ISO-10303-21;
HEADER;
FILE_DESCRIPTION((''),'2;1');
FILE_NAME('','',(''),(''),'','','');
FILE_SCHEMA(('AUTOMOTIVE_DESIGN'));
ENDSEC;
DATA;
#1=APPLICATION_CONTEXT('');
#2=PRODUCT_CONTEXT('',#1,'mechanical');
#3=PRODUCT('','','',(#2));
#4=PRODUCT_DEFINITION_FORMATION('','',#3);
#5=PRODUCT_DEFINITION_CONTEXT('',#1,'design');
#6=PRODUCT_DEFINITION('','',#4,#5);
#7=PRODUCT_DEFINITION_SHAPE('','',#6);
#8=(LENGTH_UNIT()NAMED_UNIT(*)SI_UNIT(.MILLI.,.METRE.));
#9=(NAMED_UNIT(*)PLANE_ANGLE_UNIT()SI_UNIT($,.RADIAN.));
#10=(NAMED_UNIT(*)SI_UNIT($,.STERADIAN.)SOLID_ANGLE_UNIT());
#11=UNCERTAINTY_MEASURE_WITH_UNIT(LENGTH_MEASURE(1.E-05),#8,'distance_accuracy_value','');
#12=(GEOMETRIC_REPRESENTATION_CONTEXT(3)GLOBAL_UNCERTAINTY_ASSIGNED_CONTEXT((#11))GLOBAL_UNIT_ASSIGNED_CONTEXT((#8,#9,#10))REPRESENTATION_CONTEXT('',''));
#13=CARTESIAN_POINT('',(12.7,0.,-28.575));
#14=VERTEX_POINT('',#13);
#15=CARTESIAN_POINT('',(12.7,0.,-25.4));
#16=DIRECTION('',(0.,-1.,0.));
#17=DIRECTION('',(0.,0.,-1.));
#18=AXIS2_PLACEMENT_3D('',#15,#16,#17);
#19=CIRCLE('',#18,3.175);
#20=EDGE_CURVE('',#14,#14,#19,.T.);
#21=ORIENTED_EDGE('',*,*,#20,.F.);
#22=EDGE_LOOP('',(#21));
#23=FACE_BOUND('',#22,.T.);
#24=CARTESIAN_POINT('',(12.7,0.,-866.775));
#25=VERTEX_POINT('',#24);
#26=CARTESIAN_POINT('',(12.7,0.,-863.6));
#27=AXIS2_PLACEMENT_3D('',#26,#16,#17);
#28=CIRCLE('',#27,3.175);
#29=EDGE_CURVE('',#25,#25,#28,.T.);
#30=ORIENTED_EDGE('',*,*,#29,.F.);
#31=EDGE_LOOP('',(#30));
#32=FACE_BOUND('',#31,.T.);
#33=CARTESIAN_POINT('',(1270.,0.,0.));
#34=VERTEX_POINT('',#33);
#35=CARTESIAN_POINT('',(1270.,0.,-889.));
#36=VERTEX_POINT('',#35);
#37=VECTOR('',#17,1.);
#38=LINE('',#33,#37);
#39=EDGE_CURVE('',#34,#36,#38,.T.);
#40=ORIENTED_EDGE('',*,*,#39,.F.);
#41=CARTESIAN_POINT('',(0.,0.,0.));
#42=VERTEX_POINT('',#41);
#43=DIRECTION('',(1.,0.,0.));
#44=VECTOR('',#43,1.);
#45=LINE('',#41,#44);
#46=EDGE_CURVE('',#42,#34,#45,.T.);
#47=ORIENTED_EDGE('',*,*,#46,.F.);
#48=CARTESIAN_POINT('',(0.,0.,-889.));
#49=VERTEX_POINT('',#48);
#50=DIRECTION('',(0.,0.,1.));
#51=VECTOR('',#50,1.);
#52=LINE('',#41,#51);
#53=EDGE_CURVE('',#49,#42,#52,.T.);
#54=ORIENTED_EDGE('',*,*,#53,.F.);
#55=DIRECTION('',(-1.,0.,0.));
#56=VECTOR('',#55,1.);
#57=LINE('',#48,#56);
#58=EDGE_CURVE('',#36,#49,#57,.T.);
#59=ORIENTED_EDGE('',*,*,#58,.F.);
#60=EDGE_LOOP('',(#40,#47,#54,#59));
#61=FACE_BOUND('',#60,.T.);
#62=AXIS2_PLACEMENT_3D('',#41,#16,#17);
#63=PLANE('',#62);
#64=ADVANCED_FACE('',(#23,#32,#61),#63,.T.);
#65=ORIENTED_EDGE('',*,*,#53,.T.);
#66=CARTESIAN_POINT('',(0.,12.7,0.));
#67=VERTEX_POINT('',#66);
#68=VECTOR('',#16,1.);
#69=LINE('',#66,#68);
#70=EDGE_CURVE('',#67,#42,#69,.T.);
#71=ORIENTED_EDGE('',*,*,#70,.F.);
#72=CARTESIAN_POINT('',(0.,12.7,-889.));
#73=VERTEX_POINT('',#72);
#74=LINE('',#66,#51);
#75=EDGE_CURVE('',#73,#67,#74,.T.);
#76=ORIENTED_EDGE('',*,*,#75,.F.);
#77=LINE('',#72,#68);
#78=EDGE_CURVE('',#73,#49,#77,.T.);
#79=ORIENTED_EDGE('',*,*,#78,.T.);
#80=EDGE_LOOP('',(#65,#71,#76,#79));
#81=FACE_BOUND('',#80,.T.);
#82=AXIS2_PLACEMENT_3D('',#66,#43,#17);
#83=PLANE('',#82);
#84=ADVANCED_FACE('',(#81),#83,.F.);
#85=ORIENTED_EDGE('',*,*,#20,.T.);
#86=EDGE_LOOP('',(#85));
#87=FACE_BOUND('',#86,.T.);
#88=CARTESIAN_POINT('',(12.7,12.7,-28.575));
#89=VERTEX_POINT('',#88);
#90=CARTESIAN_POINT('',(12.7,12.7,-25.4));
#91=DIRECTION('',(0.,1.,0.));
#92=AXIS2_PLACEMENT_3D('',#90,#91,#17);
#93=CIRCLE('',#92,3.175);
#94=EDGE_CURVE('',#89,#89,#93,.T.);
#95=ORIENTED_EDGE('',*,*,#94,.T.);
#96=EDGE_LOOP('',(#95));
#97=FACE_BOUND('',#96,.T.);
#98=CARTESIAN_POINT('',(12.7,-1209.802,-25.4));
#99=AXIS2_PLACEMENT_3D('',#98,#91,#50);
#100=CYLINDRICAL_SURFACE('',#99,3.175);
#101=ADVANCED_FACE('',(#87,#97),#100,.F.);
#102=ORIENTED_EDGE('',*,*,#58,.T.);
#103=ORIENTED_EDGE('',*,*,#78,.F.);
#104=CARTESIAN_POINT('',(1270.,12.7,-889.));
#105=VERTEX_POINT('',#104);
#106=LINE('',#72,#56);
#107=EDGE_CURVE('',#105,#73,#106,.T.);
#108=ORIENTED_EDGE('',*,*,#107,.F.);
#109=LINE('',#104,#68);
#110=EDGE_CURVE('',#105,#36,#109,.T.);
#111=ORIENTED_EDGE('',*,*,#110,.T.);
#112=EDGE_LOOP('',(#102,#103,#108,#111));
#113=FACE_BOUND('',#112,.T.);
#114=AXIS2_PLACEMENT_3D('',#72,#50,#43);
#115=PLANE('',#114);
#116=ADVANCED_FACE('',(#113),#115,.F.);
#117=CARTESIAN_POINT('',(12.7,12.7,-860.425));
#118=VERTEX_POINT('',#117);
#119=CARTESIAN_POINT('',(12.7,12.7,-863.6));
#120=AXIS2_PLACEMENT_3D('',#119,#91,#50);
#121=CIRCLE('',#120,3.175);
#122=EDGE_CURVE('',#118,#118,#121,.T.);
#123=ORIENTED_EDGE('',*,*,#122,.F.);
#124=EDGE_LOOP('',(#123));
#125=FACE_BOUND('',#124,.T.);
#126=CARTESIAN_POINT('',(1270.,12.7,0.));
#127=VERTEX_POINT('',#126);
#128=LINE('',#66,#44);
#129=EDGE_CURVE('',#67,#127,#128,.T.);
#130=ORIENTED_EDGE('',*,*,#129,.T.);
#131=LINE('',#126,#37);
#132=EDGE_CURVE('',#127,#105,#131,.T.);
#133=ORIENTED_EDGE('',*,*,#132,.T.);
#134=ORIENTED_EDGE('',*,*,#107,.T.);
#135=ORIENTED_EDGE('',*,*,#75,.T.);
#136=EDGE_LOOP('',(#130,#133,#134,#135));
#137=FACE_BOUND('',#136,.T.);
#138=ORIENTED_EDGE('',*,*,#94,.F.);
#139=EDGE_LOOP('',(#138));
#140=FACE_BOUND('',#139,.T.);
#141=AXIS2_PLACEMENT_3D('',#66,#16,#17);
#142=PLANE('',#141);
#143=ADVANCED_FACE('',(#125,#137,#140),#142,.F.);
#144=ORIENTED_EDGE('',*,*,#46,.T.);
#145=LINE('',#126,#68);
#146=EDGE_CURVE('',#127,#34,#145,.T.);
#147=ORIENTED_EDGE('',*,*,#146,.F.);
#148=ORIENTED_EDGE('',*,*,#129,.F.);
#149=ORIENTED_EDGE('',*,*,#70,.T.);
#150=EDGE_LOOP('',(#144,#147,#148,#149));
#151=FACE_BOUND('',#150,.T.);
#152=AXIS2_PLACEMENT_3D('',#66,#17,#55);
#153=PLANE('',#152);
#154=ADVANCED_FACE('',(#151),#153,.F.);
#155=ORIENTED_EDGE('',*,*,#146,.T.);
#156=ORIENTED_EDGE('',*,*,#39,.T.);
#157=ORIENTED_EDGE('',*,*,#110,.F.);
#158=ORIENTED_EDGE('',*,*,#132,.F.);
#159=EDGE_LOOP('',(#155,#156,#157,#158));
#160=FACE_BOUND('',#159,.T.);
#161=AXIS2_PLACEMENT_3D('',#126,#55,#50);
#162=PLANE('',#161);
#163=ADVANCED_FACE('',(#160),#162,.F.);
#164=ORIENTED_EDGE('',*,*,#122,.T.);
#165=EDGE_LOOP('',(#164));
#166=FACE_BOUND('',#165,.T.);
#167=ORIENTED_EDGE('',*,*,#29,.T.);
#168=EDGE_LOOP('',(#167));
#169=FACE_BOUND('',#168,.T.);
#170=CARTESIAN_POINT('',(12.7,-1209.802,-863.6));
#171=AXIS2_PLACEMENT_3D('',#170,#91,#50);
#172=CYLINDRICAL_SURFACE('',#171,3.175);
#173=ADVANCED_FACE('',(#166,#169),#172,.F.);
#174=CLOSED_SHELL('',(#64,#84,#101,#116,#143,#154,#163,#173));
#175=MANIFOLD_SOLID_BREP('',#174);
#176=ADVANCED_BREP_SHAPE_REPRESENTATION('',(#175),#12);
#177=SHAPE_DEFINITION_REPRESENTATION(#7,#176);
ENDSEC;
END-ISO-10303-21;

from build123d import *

# Parameters (mm, degrees)
SKETCH1_W           = 1270
SKETCH1_H           = 889
BOSS_EXTRUDE1_DEPTH = 12.7
SKETCH2_R           = 3.175
CUT_EXTRUDE2_DEPTH  = 1222.502


with BuildPart() as part:
    # Sketch1 → Boss-Extrude1 (new body)
    with BuildSketch(Plane(origin=(0, 0, 0), x_dir=(1, 0, 0), z_dir=(0, 1, 0))):
        with Locations((635, 444.5)):
            Rectangle(SKETCH1_W, SKETCH1_H)
    extrude(amount=BOSS_EXTRUDE1_DEPTH)

    # Sketch2 → Cut-Extrude2 (cut)
    with BuildSketch(Plane(origin=(0, 12.7, 0), x_dir=(1, 0, 0), z_dir=(0, 1, 0))):
        with Locations(Location((12.7, 863.6, 0), (0, 0, 270))):
            Circle(SKETCH2_R)
        with Locations(Location((12.7, 25.4, 0), (0, 0, 90))):
            Circle(SKETCH2_R)
    extrude(amount=-CUT_EXTRUDE2_DEPTH, mode=Mode.SUBTRACT)


solid = part.part
